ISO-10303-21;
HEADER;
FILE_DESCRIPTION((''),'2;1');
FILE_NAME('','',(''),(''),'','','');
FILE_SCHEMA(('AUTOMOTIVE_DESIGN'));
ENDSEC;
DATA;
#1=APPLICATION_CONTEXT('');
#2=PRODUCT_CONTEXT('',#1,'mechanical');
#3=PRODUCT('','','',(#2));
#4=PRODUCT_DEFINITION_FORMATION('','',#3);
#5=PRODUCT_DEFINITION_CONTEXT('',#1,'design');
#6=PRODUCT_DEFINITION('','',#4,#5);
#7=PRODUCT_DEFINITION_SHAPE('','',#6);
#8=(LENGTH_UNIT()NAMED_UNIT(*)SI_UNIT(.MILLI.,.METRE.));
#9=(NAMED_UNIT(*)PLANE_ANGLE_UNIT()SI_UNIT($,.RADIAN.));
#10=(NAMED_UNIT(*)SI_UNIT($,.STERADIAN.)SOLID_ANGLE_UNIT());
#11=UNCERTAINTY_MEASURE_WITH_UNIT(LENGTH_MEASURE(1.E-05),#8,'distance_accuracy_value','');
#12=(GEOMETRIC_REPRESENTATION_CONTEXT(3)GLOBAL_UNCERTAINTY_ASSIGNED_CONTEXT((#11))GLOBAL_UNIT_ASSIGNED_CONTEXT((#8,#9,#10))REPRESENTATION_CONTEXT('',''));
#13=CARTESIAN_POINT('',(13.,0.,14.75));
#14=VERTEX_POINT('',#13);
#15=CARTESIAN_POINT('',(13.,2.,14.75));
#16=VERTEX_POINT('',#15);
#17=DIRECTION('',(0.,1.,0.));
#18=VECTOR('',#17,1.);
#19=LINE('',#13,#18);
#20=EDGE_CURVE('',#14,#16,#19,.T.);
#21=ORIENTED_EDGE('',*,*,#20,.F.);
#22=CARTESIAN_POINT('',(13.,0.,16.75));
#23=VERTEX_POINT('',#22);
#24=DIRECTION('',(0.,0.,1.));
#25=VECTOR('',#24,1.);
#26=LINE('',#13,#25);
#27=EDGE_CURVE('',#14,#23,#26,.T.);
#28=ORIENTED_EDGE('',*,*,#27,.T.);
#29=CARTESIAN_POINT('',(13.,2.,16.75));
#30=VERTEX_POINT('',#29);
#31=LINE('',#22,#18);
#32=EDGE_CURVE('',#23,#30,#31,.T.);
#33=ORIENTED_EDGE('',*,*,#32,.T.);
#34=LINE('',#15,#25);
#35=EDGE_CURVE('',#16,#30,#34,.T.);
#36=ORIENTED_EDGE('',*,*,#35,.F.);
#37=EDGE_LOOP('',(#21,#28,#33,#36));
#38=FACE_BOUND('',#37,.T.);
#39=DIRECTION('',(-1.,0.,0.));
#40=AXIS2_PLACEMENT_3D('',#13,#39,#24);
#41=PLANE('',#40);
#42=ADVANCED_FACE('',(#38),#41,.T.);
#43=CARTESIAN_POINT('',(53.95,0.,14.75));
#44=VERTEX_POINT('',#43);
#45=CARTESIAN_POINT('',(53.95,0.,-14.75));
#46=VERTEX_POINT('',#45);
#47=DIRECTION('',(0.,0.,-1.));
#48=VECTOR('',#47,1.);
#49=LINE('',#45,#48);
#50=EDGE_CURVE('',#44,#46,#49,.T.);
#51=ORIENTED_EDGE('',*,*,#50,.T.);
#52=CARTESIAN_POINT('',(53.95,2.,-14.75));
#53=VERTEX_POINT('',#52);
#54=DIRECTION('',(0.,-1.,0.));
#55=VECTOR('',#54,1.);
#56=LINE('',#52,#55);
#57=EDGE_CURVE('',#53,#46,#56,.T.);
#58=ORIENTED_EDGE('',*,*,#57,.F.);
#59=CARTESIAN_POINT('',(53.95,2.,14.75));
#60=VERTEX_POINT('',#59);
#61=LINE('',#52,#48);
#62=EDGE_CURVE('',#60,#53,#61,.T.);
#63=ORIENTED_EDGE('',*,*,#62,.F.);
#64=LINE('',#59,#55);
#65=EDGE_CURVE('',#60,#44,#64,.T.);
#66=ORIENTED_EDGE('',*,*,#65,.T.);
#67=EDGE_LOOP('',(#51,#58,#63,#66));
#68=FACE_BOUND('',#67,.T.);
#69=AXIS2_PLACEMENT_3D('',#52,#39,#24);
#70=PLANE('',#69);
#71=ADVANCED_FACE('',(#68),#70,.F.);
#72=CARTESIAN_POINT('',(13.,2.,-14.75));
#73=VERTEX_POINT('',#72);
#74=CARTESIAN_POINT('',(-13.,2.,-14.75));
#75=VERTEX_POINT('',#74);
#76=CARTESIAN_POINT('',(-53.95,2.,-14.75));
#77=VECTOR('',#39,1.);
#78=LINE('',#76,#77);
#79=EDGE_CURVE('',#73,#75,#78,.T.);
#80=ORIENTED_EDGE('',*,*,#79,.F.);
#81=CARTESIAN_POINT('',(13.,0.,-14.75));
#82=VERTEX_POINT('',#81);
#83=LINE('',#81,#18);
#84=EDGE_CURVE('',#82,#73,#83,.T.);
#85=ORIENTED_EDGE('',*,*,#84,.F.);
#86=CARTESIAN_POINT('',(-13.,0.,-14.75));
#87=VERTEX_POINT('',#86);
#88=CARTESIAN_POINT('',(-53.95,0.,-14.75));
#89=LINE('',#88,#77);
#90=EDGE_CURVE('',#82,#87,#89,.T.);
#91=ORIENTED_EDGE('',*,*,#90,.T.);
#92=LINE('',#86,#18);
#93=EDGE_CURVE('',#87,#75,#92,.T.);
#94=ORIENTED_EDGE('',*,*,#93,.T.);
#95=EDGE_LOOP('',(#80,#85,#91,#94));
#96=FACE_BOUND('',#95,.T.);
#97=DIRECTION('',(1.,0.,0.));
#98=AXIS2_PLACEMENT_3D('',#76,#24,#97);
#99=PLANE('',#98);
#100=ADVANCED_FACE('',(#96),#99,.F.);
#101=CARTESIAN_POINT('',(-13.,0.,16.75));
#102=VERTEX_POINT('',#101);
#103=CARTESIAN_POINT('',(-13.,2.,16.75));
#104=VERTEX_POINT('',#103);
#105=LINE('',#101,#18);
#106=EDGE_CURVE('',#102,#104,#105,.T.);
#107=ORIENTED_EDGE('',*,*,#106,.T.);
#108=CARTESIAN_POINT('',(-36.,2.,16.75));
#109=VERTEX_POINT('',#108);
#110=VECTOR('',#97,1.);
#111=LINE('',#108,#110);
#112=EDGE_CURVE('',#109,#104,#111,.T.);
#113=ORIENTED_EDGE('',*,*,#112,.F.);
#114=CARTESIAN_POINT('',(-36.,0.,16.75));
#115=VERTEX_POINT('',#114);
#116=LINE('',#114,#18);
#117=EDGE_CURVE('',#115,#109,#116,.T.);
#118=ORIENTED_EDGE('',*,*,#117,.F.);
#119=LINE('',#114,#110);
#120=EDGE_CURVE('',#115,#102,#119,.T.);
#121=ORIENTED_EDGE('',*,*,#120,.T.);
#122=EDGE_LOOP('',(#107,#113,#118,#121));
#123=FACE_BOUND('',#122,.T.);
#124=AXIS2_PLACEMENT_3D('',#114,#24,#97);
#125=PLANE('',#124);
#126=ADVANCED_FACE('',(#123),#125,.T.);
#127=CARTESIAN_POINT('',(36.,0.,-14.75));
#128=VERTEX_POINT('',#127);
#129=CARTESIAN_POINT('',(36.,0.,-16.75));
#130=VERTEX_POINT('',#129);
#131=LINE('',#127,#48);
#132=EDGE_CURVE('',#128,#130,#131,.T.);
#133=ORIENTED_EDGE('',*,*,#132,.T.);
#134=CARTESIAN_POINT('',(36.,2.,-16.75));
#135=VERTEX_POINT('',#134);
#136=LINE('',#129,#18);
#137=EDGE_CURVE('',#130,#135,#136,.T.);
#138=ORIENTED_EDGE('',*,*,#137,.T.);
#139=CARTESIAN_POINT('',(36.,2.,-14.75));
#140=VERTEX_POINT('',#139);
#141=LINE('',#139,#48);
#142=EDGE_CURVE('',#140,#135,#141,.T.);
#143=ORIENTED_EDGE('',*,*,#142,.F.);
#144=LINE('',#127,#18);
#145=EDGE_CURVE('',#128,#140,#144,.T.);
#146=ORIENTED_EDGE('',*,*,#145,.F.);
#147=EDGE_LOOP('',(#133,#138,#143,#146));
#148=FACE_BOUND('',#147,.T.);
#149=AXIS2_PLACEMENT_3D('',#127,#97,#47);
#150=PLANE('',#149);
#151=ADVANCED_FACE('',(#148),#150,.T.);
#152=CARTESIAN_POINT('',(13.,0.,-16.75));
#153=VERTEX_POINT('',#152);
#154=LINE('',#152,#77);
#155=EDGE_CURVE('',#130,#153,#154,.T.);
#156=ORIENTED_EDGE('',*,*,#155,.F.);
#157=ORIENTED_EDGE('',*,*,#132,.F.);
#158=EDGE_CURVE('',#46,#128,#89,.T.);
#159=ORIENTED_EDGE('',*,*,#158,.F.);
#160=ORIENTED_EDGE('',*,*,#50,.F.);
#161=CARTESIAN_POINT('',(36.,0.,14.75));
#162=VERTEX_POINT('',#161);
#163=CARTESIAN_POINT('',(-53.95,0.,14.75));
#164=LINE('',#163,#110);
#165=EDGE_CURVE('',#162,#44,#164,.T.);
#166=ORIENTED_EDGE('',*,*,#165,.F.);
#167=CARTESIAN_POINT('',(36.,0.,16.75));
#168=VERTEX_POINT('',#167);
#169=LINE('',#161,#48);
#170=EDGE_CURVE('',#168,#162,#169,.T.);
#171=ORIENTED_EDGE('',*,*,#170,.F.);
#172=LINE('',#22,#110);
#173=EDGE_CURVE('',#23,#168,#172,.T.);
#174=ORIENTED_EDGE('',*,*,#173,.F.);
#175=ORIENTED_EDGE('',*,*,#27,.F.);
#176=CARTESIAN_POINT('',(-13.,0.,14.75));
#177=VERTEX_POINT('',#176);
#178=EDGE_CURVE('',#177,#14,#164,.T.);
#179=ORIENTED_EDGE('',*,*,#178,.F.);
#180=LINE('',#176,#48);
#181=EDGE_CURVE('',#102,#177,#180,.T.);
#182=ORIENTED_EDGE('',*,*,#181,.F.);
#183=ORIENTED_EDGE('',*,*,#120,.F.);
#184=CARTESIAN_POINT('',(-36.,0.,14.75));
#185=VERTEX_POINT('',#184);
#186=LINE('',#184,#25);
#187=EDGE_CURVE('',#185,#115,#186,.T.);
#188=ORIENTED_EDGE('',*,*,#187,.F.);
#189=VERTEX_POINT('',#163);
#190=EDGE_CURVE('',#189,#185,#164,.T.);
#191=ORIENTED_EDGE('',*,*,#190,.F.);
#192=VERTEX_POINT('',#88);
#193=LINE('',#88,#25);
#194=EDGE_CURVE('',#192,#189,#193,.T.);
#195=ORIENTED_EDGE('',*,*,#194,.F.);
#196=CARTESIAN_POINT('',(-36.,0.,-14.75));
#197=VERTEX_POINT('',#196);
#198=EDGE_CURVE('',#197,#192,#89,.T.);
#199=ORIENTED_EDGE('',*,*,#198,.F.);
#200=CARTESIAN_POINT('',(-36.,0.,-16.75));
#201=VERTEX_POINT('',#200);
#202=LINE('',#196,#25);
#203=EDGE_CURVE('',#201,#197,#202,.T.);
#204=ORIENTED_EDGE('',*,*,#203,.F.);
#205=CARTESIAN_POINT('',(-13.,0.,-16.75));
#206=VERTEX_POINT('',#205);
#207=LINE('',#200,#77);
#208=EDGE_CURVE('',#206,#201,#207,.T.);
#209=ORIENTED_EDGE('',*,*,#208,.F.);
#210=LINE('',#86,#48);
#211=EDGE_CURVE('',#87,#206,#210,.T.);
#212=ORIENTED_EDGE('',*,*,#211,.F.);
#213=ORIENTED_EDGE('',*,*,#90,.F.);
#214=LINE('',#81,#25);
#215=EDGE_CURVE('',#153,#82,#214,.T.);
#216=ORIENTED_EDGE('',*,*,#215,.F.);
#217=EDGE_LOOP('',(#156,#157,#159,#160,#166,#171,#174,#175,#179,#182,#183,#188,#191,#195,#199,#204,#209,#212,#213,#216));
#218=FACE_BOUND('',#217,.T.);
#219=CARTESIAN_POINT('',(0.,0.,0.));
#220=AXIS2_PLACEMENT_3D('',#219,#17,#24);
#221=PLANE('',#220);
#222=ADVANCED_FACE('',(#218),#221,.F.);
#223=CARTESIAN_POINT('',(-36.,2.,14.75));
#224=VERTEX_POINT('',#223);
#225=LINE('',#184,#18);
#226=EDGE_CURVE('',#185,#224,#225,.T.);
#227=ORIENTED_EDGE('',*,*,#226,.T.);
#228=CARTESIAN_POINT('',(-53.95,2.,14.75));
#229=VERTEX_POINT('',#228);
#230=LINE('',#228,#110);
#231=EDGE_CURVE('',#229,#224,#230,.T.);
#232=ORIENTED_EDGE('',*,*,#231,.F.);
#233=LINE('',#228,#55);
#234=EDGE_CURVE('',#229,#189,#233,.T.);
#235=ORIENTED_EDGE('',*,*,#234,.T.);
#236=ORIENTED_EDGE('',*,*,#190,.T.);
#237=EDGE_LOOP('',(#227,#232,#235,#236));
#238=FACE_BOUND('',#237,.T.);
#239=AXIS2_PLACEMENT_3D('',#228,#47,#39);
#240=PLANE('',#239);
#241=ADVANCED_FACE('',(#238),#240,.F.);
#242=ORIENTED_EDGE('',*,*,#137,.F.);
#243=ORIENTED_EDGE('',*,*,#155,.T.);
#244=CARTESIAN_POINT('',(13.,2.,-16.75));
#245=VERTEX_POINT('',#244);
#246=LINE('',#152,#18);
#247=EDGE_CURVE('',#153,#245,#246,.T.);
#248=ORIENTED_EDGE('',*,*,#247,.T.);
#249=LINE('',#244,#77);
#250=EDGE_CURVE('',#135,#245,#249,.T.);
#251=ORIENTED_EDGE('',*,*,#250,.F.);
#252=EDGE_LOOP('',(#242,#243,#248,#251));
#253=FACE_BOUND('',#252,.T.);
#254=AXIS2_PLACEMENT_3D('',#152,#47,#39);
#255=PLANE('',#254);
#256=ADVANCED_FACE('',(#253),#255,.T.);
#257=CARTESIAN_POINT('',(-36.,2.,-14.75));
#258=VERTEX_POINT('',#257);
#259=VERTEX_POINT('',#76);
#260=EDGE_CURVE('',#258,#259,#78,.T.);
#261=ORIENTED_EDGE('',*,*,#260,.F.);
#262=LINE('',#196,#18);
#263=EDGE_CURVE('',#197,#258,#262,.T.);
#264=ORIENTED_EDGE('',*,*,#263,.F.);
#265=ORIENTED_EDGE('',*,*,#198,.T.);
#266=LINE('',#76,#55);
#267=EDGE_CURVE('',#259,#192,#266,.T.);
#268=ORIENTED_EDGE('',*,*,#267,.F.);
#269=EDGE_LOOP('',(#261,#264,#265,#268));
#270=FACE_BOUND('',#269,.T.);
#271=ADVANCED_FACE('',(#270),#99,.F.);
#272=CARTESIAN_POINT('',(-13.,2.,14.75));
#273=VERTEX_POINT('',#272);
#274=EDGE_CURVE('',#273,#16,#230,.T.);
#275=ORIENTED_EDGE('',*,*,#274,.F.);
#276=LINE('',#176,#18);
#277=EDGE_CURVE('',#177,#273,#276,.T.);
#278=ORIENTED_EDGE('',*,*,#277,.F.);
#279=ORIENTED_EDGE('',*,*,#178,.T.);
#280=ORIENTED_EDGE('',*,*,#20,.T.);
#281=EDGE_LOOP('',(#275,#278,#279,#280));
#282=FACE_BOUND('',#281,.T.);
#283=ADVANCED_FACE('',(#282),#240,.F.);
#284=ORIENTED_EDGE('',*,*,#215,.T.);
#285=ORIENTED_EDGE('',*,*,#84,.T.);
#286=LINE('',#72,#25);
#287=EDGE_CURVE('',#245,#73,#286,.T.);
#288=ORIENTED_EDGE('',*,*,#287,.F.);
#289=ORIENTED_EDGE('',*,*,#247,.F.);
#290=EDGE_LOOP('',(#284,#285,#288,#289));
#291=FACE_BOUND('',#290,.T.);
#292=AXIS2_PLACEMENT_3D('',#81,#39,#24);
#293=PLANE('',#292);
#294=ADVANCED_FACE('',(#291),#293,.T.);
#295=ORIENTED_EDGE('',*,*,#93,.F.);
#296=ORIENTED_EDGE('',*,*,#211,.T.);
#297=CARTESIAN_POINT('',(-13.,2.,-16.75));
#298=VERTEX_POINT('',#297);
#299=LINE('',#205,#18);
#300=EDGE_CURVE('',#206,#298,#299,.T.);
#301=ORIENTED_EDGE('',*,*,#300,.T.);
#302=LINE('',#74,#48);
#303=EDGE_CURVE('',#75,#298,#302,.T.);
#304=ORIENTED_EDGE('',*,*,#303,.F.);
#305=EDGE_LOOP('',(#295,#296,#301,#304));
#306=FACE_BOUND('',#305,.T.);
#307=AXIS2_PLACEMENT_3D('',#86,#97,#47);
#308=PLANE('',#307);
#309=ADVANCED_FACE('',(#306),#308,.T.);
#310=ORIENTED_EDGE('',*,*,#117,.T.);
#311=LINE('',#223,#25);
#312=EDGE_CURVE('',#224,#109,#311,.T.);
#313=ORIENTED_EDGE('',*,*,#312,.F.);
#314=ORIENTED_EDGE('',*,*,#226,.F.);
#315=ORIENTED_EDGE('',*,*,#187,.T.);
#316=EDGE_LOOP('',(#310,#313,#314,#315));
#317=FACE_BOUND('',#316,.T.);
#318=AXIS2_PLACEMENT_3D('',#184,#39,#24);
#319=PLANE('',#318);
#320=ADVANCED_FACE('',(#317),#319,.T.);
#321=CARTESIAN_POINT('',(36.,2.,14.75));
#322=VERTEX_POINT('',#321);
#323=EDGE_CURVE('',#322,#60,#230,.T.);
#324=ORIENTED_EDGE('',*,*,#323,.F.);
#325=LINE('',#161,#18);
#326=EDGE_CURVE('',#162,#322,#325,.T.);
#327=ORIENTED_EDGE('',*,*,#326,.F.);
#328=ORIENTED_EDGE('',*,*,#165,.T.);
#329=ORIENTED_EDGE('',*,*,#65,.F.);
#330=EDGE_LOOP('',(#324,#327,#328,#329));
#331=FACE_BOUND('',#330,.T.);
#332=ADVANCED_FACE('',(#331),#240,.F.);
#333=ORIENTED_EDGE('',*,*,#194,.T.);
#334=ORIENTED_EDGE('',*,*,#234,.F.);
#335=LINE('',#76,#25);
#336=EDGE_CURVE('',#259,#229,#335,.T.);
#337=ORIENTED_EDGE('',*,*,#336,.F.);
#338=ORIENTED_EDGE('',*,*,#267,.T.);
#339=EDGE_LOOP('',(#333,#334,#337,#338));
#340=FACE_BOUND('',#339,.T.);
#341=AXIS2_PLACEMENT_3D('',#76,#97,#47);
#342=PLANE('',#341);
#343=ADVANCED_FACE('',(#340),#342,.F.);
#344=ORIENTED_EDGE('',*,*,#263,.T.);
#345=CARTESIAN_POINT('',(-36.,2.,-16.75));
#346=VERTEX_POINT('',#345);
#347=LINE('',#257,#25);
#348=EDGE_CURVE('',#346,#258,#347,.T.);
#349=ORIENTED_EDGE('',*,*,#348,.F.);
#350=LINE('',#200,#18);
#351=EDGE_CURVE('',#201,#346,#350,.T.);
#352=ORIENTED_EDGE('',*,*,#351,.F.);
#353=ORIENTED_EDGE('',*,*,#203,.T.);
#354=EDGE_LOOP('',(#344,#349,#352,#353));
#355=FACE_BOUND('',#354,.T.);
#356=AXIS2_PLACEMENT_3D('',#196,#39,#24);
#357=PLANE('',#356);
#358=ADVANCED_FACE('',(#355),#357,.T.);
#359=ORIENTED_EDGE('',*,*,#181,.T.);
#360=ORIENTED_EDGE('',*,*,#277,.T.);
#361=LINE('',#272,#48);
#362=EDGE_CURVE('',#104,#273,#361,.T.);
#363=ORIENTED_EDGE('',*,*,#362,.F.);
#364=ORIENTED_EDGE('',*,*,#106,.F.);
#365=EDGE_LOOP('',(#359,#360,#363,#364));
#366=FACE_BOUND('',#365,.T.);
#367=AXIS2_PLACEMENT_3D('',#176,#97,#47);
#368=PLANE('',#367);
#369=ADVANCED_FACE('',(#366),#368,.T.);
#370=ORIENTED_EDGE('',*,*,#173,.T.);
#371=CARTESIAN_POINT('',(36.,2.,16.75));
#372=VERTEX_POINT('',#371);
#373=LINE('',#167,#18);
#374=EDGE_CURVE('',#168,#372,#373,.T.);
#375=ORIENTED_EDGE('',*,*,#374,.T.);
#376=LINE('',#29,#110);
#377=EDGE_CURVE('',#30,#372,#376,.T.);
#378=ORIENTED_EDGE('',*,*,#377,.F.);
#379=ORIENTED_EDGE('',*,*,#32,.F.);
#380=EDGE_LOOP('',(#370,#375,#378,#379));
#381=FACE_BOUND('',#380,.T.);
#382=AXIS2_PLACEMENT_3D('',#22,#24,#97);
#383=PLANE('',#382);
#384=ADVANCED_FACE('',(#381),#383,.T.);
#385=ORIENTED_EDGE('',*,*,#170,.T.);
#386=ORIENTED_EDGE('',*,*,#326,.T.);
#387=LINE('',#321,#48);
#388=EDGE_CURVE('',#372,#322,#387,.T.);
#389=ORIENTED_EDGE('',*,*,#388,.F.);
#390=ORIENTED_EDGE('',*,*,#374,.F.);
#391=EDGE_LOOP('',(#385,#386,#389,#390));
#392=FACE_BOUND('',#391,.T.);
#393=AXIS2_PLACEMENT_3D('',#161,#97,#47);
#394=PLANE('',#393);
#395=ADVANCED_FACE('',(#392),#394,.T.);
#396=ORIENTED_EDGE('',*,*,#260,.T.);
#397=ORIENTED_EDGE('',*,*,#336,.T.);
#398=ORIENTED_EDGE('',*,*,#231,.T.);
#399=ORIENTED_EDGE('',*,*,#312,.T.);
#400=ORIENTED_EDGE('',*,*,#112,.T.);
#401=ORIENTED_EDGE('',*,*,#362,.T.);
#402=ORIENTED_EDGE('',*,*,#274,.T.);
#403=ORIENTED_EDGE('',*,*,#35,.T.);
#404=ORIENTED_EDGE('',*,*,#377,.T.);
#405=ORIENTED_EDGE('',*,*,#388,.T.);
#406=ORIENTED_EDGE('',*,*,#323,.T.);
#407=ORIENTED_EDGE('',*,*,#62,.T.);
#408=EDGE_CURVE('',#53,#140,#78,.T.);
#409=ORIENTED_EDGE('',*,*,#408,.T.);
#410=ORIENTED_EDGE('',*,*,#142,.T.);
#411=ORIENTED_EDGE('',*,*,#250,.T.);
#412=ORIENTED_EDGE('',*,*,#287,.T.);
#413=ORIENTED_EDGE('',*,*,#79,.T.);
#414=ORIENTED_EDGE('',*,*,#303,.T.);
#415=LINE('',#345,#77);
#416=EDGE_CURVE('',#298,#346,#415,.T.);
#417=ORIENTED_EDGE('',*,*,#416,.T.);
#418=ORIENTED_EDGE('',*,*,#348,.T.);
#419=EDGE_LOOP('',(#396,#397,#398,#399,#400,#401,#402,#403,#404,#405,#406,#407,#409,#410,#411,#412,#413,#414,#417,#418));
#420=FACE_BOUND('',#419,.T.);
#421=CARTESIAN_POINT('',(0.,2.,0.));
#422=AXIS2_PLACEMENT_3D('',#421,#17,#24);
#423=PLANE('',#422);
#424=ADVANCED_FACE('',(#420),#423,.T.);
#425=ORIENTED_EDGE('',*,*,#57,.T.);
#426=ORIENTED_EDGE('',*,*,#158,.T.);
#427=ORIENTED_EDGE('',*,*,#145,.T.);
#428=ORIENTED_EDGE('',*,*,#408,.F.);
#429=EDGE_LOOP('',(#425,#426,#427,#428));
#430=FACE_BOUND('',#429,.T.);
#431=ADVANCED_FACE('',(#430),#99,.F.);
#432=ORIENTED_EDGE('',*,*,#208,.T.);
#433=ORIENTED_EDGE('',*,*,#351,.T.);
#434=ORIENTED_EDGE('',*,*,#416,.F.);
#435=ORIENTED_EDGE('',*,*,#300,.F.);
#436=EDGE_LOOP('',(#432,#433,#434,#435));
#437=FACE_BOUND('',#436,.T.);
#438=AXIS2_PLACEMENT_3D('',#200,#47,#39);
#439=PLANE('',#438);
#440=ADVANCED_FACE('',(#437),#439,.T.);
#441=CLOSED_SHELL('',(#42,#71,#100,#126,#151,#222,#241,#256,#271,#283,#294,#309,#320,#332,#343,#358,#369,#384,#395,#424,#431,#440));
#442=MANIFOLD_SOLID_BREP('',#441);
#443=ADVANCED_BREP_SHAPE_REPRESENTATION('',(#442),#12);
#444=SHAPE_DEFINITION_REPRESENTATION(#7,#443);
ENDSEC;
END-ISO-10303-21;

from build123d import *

# Parameters (mm, degrees)
SKETCH_1_W      = 107.9
SKETCH_1_H      = 29.5
EXTRUDE_1_DEPTH = 2
SKETCH_2_W      = 23
SKETCH_2_H      = 2
EXTRUDE_2_DEPTH = 2


with BuildPart() as part:
    # 草图1 → 凸台-拉伸1 (new body)
    with BuildSketch(Plane(origin=(0, 0, 0), x_dir=(1, 0, 0), z_dir=(0, 1, 0))):
        Rectangle(SKETCH_1_W, SKETCH_1_H)
    extrude(amount=EXTRUDE_1_DEPTH)

    # 草图2 → 凸台-拉伸2 (add)
    with BuildSketch(Plane(origin=(0, 2, 0), x_dir=(1, 0, 0), z_dir=(0, 1, 0))):
        with Locations((-24.5, 15.75)):
            Rectangle(SKETCH_2_W, SKETCH_2_H)
        with Locations((24.5, 15.75)):
            Rectangle(SKETCH_2_W, SKETCH_2_H)
        with Locations((24.5, -15.75)):
            Rectangle(SKETCH_2_W, SKETCH_2_H)
        with Locations((-24.5, -15.75)):
            Rectangle(SKETCH_2_W, SKETCH_2_H)
    extrude(amount=-EXTRUDE_2_DEPTH)


solid = part.part
